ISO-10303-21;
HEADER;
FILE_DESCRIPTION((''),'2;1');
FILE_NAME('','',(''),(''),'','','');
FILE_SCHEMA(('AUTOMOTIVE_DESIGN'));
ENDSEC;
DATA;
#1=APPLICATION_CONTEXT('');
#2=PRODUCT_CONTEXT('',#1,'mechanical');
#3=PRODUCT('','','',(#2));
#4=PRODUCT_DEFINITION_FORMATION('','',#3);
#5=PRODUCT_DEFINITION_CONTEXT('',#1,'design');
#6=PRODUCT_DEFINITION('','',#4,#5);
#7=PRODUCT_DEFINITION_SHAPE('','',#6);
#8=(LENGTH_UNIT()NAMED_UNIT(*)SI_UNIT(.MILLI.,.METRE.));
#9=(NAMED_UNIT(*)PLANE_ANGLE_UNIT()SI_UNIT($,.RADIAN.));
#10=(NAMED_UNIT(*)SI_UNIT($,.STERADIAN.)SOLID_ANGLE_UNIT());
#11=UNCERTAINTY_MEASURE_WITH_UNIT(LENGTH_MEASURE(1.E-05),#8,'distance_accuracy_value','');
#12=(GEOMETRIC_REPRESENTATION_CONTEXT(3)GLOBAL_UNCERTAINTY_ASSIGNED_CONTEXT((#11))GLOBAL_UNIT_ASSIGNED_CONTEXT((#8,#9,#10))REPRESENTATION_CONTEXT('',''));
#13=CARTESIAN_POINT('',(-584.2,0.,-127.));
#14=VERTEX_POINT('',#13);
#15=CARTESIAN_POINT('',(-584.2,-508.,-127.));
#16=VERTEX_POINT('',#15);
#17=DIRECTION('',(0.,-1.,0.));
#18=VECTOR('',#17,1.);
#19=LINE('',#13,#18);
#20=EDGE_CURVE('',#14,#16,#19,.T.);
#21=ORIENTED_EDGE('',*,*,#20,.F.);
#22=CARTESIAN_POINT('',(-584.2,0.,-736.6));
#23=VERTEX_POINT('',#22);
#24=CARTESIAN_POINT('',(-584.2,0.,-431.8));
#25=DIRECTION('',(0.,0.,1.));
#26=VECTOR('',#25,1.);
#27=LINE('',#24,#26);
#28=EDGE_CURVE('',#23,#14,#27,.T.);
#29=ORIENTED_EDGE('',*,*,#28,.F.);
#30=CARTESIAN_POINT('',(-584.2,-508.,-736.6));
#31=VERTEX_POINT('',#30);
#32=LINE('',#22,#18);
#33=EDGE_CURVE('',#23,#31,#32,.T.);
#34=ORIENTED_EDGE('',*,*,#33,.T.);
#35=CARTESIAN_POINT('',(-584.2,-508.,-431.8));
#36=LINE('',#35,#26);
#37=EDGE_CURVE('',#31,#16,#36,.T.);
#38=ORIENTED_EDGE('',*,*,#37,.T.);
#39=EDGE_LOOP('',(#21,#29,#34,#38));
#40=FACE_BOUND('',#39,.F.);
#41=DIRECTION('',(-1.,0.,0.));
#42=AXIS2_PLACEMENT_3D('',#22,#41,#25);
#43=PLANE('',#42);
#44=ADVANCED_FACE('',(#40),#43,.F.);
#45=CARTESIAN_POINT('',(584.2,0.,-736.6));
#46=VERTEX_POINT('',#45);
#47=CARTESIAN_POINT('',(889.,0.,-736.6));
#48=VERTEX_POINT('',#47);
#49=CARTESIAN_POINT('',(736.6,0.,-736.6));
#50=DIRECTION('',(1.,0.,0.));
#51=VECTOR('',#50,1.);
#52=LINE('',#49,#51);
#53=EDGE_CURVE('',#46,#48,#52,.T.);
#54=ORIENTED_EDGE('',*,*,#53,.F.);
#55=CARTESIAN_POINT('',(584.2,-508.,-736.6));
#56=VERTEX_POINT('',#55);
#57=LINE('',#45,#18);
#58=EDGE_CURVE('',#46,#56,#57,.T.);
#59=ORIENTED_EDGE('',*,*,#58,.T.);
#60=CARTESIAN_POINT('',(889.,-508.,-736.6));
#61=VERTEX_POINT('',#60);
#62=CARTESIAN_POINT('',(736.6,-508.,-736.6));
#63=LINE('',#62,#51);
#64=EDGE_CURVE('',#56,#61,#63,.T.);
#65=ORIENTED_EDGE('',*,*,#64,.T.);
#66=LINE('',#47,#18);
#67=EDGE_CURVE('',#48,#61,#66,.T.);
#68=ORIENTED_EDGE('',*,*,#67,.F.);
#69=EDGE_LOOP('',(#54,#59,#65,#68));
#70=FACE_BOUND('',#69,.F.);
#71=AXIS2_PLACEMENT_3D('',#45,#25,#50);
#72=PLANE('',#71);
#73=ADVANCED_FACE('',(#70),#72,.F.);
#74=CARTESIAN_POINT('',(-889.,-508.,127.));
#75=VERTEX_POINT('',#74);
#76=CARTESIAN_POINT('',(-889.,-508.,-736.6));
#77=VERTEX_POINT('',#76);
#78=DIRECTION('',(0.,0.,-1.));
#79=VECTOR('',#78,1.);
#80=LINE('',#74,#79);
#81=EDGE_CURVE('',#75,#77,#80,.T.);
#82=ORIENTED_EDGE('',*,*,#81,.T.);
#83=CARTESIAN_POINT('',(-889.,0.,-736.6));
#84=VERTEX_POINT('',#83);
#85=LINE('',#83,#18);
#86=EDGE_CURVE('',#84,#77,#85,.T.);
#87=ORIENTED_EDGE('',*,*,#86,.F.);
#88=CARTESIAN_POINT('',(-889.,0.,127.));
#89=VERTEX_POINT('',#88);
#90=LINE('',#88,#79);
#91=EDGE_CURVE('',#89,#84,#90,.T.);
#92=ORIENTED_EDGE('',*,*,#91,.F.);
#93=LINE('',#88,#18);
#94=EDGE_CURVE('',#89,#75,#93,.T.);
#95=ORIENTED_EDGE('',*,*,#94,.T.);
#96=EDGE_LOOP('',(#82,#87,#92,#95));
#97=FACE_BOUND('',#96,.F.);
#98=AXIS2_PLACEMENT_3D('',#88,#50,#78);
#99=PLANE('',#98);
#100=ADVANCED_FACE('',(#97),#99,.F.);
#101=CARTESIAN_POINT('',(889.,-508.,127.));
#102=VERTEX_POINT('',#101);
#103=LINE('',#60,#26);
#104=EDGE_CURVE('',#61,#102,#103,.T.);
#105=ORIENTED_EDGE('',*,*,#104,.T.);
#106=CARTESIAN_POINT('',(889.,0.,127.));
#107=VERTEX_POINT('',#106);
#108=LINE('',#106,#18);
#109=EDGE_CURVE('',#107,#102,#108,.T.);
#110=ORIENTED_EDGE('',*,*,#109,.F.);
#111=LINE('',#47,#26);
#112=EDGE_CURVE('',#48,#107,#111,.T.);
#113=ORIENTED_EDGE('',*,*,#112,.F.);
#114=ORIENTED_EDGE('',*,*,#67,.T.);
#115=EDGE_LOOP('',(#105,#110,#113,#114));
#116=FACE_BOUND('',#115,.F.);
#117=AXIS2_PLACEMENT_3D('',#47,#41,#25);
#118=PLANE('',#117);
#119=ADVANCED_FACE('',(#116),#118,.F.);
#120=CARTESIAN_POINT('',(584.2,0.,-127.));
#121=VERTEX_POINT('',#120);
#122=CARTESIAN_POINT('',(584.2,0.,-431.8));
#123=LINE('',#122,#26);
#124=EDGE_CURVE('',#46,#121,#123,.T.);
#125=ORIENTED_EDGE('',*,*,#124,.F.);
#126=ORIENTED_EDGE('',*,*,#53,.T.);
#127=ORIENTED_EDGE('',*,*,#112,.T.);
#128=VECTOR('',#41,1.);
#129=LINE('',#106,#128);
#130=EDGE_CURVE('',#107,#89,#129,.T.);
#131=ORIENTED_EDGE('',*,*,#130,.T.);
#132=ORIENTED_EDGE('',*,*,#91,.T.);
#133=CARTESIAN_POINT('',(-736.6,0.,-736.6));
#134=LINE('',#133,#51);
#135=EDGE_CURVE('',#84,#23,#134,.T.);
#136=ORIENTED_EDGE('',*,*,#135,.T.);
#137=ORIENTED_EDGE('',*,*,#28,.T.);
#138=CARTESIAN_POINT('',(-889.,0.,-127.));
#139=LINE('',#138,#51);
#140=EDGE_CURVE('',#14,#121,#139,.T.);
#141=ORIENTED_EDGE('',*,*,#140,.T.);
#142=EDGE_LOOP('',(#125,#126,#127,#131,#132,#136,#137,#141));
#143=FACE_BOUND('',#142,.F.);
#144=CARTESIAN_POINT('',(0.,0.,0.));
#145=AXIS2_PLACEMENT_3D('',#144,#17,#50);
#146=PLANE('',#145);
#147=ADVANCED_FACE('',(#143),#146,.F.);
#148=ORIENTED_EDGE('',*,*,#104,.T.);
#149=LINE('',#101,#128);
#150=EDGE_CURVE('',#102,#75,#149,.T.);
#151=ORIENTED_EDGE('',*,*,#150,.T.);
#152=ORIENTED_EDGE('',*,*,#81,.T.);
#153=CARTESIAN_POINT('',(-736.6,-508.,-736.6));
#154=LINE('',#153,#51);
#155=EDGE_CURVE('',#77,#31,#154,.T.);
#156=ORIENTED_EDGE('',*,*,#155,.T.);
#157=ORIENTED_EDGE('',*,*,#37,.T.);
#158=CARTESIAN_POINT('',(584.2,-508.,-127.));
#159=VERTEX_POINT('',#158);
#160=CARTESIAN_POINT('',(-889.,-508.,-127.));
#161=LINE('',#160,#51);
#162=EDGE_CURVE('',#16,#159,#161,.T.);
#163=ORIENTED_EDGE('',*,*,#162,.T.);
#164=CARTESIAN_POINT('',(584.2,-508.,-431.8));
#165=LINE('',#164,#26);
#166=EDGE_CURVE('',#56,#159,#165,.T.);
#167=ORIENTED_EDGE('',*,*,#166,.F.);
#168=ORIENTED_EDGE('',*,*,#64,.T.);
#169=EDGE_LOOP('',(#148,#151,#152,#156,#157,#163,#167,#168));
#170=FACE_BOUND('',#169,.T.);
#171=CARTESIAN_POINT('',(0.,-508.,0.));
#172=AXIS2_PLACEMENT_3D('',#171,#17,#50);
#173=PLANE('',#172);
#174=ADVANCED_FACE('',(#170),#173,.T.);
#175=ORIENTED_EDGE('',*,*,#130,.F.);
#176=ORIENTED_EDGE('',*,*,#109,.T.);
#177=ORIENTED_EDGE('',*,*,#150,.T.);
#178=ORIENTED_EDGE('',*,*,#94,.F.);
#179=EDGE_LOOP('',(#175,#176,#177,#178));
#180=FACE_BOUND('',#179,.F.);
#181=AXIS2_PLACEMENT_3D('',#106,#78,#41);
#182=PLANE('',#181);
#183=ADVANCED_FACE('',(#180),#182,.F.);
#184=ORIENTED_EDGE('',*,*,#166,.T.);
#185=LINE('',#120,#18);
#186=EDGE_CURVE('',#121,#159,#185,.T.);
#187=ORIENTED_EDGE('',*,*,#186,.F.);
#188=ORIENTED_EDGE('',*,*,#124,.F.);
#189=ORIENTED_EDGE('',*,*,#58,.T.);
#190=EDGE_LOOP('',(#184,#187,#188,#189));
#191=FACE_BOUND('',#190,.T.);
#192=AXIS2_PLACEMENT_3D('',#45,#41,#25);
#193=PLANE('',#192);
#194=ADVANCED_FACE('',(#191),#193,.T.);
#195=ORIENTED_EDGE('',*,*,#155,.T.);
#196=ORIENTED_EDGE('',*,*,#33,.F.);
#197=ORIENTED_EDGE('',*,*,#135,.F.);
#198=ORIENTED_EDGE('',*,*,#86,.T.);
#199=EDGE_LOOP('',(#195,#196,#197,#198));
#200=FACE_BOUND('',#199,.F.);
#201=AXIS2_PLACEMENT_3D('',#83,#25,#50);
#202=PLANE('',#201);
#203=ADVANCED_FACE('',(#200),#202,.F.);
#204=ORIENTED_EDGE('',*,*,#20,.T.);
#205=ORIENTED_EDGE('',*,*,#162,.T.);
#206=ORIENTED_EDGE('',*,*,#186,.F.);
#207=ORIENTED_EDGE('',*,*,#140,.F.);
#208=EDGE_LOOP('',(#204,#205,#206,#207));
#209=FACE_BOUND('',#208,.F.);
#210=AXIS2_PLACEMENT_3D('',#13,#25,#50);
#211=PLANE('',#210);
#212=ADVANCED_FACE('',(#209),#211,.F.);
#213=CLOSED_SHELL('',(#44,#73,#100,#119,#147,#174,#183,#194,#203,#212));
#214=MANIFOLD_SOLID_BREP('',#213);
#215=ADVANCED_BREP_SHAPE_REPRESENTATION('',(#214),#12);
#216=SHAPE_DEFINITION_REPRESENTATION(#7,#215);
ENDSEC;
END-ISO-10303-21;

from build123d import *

# Parameters (mm, degrees)
F0_W     = 304.8
F0_H     = 609.6
F1_DEPTH = 508


with BuildPart() as f1:
    # F0 (on Front) → F1 (new body)
    with BuildSketch(Plane.XZ):
        Polygon((584.2, -127), (889, -127), (889, 127), (-889, 127), (-889, -127), (-584.2, -127), align=None)
        with Locations((-736.6, -431.8)):
            Rectangle(F0_W, F0_H)
        with Locations((736.6, -431.8)):
            Rectangle(F0_W, F0_H)
    extrude(amount=F1_DEPTH)


solid = f1.part
